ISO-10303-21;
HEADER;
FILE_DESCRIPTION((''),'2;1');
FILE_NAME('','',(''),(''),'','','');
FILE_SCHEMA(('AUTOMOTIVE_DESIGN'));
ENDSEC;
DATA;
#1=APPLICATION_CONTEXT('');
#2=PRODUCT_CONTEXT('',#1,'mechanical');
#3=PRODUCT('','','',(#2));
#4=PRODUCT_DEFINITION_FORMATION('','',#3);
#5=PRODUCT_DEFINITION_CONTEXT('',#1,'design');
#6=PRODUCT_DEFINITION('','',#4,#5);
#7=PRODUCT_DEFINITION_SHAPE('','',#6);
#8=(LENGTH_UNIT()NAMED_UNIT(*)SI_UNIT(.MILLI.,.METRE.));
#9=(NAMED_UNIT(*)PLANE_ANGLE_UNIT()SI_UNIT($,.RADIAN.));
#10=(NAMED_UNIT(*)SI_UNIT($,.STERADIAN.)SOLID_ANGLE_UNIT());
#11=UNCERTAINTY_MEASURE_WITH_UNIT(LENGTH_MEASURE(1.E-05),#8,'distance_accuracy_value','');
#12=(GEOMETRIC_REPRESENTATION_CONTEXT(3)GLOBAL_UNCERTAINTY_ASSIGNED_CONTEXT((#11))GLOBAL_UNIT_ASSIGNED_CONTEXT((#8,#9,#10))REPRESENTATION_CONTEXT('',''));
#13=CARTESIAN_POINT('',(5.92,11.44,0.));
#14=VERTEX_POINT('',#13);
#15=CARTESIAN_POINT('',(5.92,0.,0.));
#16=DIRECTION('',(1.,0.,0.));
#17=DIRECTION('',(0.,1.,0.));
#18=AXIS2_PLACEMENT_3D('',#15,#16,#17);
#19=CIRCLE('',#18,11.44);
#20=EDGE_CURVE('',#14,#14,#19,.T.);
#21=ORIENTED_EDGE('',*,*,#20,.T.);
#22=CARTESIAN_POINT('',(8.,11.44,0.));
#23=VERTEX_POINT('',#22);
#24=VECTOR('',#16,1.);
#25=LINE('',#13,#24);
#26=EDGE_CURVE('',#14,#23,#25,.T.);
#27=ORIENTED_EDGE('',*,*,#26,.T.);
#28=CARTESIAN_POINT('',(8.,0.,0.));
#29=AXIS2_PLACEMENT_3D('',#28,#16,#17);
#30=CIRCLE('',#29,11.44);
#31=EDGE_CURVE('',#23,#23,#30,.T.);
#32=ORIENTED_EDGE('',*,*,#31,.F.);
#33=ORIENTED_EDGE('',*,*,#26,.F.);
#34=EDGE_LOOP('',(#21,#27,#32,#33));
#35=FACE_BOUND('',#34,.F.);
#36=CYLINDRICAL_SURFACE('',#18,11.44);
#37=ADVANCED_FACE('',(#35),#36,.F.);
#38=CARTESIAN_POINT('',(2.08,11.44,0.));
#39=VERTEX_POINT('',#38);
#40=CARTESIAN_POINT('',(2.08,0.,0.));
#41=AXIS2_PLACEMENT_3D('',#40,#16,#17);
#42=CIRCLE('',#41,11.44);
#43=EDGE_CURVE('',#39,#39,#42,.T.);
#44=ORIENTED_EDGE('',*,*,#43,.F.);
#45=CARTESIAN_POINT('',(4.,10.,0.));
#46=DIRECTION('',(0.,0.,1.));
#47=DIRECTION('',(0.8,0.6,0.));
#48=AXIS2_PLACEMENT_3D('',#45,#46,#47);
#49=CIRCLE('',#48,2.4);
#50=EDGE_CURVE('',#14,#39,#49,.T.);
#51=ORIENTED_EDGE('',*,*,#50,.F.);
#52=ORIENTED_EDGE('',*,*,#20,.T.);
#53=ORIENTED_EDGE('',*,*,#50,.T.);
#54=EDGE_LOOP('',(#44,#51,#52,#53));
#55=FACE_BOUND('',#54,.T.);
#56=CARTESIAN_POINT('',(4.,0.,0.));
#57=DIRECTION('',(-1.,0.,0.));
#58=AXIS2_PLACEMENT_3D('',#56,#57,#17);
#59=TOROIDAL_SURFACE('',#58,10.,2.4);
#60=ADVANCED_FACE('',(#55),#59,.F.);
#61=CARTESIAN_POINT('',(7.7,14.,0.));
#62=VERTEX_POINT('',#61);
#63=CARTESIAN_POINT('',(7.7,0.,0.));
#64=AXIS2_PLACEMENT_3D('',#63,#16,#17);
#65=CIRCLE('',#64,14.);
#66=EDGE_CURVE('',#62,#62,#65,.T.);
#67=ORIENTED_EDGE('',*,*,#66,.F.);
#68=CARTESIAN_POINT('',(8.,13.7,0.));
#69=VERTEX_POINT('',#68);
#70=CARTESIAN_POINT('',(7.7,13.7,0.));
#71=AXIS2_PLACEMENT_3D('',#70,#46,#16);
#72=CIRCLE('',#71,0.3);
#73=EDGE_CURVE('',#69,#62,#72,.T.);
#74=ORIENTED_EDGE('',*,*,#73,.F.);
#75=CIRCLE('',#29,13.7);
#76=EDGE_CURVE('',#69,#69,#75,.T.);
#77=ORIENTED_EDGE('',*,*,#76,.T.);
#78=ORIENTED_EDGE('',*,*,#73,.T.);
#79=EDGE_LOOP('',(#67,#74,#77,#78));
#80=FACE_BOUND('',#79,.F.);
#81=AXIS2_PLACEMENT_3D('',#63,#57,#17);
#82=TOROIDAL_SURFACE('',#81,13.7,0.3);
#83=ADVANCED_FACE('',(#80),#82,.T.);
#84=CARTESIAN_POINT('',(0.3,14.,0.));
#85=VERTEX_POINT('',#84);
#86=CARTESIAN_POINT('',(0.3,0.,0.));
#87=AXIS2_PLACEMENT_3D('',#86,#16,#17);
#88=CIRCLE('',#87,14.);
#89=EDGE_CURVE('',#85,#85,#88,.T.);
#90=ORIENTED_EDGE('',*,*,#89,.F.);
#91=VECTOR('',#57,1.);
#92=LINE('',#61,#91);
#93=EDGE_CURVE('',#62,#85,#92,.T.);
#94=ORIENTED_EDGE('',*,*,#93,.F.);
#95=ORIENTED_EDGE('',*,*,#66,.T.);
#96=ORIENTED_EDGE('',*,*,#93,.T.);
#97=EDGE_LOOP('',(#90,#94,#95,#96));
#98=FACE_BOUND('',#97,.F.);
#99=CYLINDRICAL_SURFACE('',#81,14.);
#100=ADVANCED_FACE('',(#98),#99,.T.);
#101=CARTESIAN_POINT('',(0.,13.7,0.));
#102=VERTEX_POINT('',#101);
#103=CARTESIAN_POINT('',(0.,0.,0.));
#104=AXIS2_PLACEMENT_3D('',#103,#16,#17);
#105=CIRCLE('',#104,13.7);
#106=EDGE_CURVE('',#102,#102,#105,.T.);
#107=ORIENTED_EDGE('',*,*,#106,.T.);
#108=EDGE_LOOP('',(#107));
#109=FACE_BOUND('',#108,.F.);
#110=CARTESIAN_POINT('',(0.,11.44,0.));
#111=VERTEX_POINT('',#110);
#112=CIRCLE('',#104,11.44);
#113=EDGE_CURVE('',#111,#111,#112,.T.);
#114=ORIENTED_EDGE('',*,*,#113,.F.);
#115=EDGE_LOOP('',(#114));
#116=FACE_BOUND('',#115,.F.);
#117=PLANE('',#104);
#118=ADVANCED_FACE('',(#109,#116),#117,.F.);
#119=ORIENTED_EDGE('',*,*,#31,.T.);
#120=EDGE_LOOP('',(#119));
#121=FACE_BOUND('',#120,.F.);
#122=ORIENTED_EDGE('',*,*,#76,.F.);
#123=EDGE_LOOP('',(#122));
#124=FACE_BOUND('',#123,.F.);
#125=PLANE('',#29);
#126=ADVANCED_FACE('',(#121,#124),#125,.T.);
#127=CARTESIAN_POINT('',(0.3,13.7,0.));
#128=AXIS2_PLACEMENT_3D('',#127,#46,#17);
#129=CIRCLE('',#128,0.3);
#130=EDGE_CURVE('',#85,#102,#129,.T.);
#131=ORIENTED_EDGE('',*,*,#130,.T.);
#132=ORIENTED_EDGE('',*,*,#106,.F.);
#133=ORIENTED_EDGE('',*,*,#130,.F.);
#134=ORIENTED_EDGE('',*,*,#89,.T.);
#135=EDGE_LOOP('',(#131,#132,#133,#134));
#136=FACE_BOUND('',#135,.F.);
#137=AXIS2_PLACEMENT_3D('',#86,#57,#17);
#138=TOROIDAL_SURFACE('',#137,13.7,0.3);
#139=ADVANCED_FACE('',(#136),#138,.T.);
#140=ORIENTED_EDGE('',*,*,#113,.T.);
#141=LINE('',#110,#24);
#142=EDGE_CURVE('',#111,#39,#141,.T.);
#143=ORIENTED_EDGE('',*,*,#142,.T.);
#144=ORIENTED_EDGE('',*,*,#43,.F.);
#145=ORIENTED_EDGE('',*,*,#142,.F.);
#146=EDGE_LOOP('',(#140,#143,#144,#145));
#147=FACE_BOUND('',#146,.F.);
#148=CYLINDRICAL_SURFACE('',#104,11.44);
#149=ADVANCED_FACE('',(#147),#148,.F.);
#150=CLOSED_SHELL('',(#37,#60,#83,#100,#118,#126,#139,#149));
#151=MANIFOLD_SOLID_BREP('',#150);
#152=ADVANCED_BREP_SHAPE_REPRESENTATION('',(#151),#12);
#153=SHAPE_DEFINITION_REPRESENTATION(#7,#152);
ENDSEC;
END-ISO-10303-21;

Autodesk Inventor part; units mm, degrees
sketch "Sketch_1" plane through (0, 0, 0) normal (0, 0, 1) x (1, 0, 0)
  line L0 (8, 0) -> (0, 0)
  line L1 (0, 11.44) -> (2.08, 11.44)
  arc A0 (5.92, 11.44) -> (2.08, 11.44) centre (4, 10) ccw
  line L2 (5.92, 11.44) -> (8, 11.44)
  line L3 (8, 11.44) -> (8, 13.7)
  arc A1 (8, 13.7) -> (7.7, 14) centre (7.7, 13.7) ccw
  line L4 (7.7, 14) -> (0.3, 14)
  arc A2 (0.3, 14) -> (0, 13.7) centre (0.3, 13.7) ccw
  line L5 (0, 13.7) -> (0, 11.44)
revolve "Revolution1" add sketch "Sketch_1" angle 360 about axis through (8, 0, 0) along (1, 0, 0)
ref_plane "dgbb_or_XY" through (0, 0, 0) normal (1, 0, 0) x (0, 0, -1)
ref_plane "dgbb_or_YZ" through (0, 0, 0) normal (0, 0, -1) x (0, 1, 0)
ref_plane "dgbb_or_ZX" through (0, 0, 0) normal (0, 1, 0) x (1, 0, 0)
ref_plane "dgbb_or1_XY" through (8, 0, 0) normal (1, 0, 0) x (0, 0, -1)
ref_plane "dgbb_or1_YZ" through (8, 0, 0) normal (0, 0, -1) x (0, 1, 0)
ref_plane "dgbb_or1_ZX" through (8, 0, 0) normal (0, 1, 0) x (1, 0, 0)
ref_plane "dgbb_or11_1_XY" through (4, 10, 0) normal (1, 0, 0) x (0, 0, -1)
ref_plane "dgbb_or11_1_YZ" through (4, 10, 0) normal (0, 0, -1) x (0, 1, 0)
ref_plane "dgbb_or11_1_ZX" through (4, 10, 0) normal (0, 1, 0) x (1, 0, 0)
ref_plane "dgbb_or11_2_XY" through (4, 6.2349, 7.8183) normal (1, 0, 0) x (0, 0, -1)
ref_plane "dgbb_or11_2_YZ" through (4, 6.2349, 7.8183) normal (0, 0, -1) x (0, 1, 0)
ref_plane "dgbb_or11_2_ZX" through (4, 6.2349, 7.8183) normal (0, 1, 0) x (1, 0, 0)
ref_plane "dgbb_or11_3_XY" through (4, -2.2252, 9.7493) normal (1, 0, 0) x (0, 0, -1)
ref_plane "dgbb_or11_3_YZ" through (4, -2.2252, 9.7493) normal (0, 0, -1) x (0, 1, 0)
ref_plane "dgbb_or11_3_ZX" through (4, -2.2252, 9.7493) normal (0, 1, 0) x (1, 0, 0)
ref_plane "dgbb_or11_4_XY" through (4, -9.0097, 4.3388) normal (1, 0, 0) x (0, 0, -1)
ref_plane "dgbb_or11_4_YZ" through (4, -9.0097, 4.3388) normal (0, 0, -1) x (0, 1, 0)
ref_plane "dgbb_or11_4_ZX" through (4, -9.0097, 4.3388) normal (0, 1, 0) x (1, 0, 0)
ref_plane "dgbb_or11_5_XY" through (4, -9.0097, -4.3388) normal (1, 0, 0) x (0, 0, -1)
ref_plane "dgbb_or11_5_YZ" through (4, -9.0097, -4.3388) normal (0, 0, -1) x (0, 1, 0)
ref_plane "dgbb_or11_5_ZX" through (4, -9.0097, -4.3388) normal (0, 1, 0) x (1, 0, 0)
ref_plane "dgbb_or11_6_XY" through (4, -2.2252, -9.7493) normal (1, 0, 0) x (0, 0, -1)
ref_plane "dgbb_or11_6_YZ" through (4, -2.2252, -9.7493) normal (0, 0, -1) x (0, 1, 0)
ref_plane "dgbb_or11_6_ZX" through (4, -2.2252, -9.7493) normal (0, 1, 0) x (1, 0, 0)
ref_plane "dgbb_or11_7_XY" through (4, 6.2349, -7.8183) normal (1, 0, 0) x (0, 0, -1)
ref_plane "dgbb_or11_7_YZ" through (4, 6.2349, -7.8183) normal (0, 0, -1) x (0, 1, 0)
ref_plane "dgbb_or11_7_ZX" through (4, 6.2349, -7.8183) normal (0, 1, 0) x (1, 0, 0)
properties part number "6001JRX Outer Ring"
